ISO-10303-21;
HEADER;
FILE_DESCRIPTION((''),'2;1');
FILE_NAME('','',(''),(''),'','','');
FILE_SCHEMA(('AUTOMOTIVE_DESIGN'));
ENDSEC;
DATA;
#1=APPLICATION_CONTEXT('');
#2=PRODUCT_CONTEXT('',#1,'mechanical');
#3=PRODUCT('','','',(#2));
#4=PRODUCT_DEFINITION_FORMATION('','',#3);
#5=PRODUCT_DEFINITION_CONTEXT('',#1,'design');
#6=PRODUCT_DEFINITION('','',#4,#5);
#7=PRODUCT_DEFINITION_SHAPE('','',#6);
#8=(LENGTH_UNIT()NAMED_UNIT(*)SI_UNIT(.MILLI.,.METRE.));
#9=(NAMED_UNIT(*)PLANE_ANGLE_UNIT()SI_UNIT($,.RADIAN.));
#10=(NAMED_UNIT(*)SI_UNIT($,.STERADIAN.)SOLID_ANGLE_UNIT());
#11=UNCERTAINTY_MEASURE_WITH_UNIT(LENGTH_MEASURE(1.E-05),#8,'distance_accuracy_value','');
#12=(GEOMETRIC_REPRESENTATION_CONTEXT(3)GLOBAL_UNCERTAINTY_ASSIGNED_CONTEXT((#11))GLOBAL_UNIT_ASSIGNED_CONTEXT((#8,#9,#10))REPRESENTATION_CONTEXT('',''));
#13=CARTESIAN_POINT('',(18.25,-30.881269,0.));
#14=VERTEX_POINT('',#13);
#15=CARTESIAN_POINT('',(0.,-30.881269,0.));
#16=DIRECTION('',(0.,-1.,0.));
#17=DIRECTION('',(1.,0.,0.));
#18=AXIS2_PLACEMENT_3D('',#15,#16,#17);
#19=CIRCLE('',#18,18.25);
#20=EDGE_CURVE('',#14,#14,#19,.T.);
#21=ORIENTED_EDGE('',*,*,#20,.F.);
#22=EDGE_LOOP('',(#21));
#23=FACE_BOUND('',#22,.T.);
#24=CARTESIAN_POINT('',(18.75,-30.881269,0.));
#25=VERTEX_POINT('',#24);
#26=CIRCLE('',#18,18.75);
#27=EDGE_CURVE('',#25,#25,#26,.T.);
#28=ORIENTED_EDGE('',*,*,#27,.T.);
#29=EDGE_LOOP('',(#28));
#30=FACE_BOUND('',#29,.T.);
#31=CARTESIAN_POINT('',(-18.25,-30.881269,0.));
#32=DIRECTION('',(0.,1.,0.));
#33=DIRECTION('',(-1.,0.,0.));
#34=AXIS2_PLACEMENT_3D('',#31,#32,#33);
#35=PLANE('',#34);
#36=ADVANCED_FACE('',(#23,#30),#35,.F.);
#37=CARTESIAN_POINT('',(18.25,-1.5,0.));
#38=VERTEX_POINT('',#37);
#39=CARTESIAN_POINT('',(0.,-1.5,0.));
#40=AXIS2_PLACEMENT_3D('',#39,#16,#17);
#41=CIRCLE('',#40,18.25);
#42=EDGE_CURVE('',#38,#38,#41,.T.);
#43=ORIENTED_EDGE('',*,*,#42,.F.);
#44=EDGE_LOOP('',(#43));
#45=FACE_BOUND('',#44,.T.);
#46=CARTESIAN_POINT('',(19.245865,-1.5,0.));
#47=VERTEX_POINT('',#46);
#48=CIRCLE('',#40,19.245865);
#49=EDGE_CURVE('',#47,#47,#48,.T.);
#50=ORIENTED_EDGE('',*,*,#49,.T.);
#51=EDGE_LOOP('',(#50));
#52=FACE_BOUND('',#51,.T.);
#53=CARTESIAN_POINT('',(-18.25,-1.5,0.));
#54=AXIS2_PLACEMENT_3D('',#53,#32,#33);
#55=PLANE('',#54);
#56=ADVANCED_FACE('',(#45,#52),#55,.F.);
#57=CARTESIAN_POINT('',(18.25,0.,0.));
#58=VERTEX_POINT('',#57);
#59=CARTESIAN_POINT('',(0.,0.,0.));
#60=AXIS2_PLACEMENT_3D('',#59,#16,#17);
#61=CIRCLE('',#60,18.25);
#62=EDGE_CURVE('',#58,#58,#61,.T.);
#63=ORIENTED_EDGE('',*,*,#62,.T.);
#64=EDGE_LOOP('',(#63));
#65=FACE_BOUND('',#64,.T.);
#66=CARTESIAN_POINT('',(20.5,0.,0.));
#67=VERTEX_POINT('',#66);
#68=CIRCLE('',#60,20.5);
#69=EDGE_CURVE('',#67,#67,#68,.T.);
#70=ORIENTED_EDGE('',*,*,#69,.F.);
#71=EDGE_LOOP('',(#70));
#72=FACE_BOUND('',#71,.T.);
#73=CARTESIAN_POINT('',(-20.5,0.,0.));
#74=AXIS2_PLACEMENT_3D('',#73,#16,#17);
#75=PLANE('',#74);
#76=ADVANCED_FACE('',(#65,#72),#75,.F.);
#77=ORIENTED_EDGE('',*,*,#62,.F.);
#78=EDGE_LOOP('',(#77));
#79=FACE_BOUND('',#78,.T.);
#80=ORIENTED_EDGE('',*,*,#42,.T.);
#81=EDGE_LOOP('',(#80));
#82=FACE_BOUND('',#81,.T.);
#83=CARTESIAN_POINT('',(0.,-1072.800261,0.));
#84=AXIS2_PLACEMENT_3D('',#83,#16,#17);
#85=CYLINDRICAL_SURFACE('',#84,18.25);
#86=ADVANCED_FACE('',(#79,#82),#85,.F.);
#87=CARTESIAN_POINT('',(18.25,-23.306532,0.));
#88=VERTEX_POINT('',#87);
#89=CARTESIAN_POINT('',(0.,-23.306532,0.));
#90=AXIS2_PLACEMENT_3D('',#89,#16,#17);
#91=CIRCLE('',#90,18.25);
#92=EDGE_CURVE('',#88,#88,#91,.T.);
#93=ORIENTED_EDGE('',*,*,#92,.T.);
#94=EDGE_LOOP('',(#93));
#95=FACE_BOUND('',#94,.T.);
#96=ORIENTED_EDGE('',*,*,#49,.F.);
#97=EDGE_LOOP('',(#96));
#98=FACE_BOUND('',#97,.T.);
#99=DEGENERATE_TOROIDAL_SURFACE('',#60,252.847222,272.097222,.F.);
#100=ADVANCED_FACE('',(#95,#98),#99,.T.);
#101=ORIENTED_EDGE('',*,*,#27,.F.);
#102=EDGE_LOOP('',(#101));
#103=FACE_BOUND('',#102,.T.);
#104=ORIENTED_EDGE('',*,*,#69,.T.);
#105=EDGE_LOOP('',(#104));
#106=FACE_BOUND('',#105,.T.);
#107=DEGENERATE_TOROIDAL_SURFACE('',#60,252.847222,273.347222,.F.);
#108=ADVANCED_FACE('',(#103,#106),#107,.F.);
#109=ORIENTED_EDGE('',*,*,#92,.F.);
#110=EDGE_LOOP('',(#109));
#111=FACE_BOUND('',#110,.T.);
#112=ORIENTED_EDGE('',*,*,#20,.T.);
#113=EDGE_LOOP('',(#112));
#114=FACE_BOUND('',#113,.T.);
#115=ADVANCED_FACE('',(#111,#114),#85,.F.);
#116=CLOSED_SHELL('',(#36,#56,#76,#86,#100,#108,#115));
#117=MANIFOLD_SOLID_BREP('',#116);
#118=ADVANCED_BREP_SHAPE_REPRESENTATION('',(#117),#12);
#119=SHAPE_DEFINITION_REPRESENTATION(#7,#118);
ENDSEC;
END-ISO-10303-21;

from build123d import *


with BuildPart() as part:
    # Sketch1 → Revolve1 (revolve)
    with BuildSketch(Plane.XY):
        with BuildLine():
            Line((-20.5, 0), (-18.25, 0))
            Line((-18.25, 0), (-18.25, -1.5))
            Line((-18.25, -1.5), (-19.245865417, -1.5))
            ThreePointArc((-19.245865417, -1.5), (-18.966701987, -12.413256916), (-18.25, -23.306532227))
            Line((-18.25, -23.306532227), (-18.25, -30.881269044))
            Line((-18.25, -30.881269044), (-18.75, -30.881269044))
            ThreePointArc((-18.75, -30.881269044), (-20.062149323, -15.465407187), (-20.5, 0))
        make_face()
    revolve(axis=Axis((0, -1072.800260621, 0), (0, 1, 0)))


solid = part.part
